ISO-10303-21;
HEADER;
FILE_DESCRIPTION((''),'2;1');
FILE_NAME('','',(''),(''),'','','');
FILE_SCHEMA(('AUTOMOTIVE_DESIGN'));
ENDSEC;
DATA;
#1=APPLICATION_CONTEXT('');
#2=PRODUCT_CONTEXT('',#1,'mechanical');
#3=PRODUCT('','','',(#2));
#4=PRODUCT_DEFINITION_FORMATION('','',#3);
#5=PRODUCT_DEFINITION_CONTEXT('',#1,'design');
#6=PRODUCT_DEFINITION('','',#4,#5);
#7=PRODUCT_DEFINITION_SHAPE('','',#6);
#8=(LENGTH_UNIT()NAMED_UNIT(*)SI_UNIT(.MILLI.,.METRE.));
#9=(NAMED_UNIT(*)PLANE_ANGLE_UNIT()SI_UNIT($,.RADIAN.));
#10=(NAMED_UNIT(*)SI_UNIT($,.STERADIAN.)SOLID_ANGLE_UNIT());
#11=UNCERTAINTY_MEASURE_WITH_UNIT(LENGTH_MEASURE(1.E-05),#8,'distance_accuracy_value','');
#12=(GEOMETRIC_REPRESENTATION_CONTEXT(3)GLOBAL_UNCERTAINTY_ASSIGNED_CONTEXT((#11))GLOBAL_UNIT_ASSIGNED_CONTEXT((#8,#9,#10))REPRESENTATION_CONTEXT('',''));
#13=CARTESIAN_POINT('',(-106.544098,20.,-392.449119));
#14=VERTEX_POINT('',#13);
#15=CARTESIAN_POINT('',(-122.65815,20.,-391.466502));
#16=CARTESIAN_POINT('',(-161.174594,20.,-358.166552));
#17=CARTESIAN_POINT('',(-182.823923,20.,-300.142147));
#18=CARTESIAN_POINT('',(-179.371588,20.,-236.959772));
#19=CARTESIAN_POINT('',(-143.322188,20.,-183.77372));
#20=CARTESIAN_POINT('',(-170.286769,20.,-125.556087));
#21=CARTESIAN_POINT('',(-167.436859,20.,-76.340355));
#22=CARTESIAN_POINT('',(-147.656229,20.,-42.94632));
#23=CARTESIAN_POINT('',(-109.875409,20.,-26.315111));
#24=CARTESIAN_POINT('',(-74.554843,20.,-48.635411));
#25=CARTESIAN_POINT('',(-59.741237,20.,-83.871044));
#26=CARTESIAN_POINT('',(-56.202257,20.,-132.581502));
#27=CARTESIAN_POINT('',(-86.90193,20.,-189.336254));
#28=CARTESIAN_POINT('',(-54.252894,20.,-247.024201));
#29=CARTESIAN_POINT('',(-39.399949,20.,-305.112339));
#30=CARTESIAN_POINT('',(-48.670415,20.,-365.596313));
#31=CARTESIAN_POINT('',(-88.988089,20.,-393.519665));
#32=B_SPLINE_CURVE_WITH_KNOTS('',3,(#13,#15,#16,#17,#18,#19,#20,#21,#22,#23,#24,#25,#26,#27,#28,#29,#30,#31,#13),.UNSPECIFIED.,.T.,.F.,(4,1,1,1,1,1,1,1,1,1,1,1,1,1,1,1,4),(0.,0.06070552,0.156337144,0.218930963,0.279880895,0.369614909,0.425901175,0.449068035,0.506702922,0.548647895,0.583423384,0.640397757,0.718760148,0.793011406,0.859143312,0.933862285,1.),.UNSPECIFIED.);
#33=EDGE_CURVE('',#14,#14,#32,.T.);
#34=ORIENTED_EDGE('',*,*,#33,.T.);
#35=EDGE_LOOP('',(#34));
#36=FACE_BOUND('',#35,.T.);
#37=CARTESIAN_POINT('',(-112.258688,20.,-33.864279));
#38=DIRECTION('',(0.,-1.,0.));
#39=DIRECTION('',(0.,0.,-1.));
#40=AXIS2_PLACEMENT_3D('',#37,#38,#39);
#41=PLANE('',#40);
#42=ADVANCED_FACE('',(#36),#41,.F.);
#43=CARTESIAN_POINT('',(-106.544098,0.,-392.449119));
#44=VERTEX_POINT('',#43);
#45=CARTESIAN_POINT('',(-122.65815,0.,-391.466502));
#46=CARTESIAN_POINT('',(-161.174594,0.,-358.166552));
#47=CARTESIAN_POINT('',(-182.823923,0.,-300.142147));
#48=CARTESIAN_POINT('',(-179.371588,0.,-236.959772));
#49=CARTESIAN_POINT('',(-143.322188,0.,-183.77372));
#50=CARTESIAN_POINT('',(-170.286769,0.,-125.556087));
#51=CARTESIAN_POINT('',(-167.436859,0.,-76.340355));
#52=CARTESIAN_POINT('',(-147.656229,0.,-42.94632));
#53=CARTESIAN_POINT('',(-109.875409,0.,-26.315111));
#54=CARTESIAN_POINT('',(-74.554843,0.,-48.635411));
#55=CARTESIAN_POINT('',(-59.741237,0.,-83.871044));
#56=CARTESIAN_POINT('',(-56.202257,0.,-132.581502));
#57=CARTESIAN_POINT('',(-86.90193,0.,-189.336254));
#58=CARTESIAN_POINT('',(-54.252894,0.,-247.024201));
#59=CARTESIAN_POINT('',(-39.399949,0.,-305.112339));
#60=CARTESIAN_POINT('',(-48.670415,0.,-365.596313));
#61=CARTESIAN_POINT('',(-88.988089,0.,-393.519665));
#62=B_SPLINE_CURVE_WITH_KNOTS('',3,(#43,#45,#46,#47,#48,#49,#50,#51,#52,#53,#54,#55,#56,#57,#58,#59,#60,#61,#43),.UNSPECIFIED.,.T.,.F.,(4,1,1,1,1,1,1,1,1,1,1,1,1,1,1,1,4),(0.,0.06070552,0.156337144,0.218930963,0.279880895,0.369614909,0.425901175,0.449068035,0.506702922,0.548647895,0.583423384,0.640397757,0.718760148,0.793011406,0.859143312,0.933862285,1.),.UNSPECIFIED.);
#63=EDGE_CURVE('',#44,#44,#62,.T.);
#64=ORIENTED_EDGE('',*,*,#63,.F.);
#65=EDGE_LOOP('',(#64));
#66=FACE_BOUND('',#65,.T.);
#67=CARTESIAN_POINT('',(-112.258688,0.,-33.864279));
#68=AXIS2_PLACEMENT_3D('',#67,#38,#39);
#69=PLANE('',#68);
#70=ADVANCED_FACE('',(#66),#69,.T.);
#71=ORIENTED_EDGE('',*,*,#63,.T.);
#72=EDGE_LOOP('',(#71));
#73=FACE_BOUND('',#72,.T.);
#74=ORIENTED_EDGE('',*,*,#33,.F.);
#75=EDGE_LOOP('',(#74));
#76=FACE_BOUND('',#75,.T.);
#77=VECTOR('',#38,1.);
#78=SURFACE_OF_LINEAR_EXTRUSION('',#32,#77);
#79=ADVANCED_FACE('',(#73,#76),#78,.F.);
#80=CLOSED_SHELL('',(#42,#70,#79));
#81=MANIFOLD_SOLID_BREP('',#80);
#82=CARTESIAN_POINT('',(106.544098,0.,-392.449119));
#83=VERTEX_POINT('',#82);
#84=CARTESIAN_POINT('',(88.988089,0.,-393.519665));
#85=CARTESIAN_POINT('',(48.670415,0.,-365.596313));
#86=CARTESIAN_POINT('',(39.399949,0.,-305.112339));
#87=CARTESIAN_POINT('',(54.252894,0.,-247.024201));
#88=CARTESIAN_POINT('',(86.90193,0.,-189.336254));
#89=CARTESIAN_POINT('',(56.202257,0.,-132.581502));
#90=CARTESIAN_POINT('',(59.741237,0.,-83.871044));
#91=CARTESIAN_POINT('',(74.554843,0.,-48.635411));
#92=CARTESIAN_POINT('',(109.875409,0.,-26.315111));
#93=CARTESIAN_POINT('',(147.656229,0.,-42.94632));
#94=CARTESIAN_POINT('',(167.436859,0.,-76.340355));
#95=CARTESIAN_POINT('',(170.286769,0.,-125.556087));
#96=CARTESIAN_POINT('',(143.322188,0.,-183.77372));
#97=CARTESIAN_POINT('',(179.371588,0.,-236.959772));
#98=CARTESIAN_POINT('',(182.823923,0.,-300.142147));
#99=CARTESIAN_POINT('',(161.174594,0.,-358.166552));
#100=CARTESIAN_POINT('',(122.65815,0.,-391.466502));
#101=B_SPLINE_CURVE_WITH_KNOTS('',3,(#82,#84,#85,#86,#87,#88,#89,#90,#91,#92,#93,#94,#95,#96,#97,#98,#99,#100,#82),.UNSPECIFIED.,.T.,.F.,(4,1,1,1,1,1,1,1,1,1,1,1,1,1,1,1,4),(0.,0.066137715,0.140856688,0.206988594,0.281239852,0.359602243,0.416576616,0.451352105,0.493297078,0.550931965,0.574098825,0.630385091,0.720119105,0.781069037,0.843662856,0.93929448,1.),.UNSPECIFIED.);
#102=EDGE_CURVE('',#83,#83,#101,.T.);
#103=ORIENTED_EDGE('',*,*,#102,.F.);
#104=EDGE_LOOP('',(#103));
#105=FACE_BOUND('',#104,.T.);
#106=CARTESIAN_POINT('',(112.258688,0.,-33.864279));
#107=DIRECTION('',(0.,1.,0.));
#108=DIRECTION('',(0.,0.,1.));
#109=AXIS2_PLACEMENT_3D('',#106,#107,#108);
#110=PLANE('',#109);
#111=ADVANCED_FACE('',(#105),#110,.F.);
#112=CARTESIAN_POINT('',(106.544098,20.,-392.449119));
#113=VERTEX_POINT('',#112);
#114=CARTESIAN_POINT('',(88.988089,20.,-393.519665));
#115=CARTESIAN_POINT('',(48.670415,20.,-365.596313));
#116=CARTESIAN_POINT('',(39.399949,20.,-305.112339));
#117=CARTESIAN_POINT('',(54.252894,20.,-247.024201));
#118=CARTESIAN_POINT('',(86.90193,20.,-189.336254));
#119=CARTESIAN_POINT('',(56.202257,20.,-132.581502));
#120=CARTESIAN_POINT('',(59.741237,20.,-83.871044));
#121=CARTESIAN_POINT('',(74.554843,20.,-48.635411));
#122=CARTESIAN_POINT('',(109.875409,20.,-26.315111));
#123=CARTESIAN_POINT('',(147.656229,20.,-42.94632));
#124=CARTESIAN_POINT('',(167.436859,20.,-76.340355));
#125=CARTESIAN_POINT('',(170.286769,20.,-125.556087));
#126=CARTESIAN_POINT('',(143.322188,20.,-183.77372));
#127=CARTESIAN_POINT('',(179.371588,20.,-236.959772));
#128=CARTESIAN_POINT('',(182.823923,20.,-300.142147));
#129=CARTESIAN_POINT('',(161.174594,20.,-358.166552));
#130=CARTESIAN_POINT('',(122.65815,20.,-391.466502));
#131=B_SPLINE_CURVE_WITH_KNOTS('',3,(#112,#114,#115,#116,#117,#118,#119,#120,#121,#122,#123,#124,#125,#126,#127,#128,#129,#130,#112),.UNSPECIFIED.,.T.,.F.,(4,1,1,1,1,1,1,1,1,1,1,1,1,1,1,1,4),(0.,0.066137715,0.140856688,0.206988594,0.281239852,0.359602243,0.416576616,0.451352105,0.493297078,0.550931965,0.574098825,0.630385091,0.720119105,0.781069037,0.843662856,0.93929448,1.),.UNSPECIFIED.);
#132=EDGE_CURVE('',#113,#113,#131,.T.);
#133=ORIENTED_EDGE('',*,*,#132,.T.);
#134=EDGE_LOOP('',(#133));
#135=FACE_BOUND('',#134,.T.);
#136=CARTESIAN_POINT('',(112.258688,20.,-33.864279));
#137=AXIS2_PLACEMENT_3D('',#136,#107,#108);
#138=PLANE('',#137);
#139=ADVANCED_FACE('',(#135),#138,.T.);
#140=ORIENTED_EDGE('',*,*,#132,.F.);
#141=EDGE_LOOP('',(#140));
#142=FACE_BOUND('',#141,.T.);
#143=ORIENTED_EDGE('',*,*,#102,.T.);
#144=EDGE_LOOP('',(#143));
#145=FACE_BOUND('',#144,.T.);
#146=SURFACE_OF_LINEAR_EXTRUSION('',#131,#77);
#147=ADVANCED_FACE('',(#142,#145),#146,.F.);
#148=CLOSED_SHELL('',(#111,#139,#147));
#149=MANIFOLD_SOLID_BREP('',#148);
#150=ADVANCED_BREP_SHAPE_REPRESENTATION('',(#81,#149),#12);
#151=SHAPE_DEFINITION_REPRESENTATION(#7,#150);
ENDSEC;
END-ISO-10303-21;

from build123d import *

# Parameters (mm, degrees)
BOSS_EXTRUDE4_DEPTH   = 20
BOSS_EXTRUDE4_2_DEPTH = 20


with BuildPart() as part:
    # Sketch4 → Boss-Extrude4 (new body)
    with BuildSketch(Plane(origin=(0, 0, 0), x_dir=(1, 0, 0), z_dir=(0, 1, 0))):
        with BuildLine():
            add(Edge.make_bspline(
                [(106.544097631, 392.449119023), (122.658150077, 391.466501961), (161.174594343, 358.166552057), (182.82392291, 300.142147188), (179.371588261, 236.959772497), (143.32218801, 183.773719871), (170.286769279, 125.556087092), (167.436859462, 76.340355288), (147.656228747, 42.946319599), (109.875408578, 26.315110761), (74.554843466, 48.635410805), (59.741237181, 83.871043916), (56.202256601, 132.581501852), (86.901930064, 189.336253955), (54.252894308, 247.024201151), (39.399948672, 305.112339134), (48.670414959, 365.596312938), (88.98808942, 393.51966495), (106.544097631, 392.449119023)],
                knots=[0, 0, 0, 0, 0.06070552, 0.156337144, 0.218930963, 0.279880895, 0.369614909, 0.425901175, 0.449068035, 0.506702922, 0.548647895, 0.583423384, 0.640397757, 0.718760148, 0.793011406, 0.859143312, 0.933862285, 1, 1, 1, 1], degree=3))
        make_face()
    extrude(amount=BOSS_EXTRUDE4_DEPTH)


with BuildPart() as body_2:
    # Sketch4 → Boss-Extrude4 2 (new body)
    with BuildSketch(Plane(origin=(0, 0, 0), x_dir=(1, 0, 0), z_dir=(0, 1, 0))):
        with BuildLine():
            add(Edge.make_bspline(
                [(-106.544097631, 392.449119023), (-122.658150077, 391.466501961), (-161.174594343, 358.166552057), (-182.82392291, 300.142147188), (-179.371588261, 236.959772497), (-143.32218801, 183.773719871), (-170.286769279, 125.556087092), (-167.436859462, 76.340355288), (-147.656228747, 42.946319599), (-109.875408578, 26.315110761), (-74.554843466, 48.635410805), (-59.741237181, 83.871043916), (-56.202256601, 132.581501852), (-86.901930064, 189.336253955), (-54.252894308, 247.024201151), (-39.399948672, 305.112339134), (-48.670414959, 365.596312938), (-88.98808942, 393.51966495), (-106.544097631, 392.449119023)],
                knots=[0, 0, 0, 0, 0.06070552, 0.156337144, 0.218930963, 0.279880895, 0.369614909, 0.425901175, 0.449068035, 0.506702922, 0.548647895, 0.583423384, 0.640397757, 0.718760148, 0.793011406, 0.859143312, 0.933862285, 1, 1, 1, 1], degree=3))
        make_face()
    extrude(amount=BOSS_EXTRUDE4_2_DEPTH)


solid = Compound([part.part, body_2.part])
